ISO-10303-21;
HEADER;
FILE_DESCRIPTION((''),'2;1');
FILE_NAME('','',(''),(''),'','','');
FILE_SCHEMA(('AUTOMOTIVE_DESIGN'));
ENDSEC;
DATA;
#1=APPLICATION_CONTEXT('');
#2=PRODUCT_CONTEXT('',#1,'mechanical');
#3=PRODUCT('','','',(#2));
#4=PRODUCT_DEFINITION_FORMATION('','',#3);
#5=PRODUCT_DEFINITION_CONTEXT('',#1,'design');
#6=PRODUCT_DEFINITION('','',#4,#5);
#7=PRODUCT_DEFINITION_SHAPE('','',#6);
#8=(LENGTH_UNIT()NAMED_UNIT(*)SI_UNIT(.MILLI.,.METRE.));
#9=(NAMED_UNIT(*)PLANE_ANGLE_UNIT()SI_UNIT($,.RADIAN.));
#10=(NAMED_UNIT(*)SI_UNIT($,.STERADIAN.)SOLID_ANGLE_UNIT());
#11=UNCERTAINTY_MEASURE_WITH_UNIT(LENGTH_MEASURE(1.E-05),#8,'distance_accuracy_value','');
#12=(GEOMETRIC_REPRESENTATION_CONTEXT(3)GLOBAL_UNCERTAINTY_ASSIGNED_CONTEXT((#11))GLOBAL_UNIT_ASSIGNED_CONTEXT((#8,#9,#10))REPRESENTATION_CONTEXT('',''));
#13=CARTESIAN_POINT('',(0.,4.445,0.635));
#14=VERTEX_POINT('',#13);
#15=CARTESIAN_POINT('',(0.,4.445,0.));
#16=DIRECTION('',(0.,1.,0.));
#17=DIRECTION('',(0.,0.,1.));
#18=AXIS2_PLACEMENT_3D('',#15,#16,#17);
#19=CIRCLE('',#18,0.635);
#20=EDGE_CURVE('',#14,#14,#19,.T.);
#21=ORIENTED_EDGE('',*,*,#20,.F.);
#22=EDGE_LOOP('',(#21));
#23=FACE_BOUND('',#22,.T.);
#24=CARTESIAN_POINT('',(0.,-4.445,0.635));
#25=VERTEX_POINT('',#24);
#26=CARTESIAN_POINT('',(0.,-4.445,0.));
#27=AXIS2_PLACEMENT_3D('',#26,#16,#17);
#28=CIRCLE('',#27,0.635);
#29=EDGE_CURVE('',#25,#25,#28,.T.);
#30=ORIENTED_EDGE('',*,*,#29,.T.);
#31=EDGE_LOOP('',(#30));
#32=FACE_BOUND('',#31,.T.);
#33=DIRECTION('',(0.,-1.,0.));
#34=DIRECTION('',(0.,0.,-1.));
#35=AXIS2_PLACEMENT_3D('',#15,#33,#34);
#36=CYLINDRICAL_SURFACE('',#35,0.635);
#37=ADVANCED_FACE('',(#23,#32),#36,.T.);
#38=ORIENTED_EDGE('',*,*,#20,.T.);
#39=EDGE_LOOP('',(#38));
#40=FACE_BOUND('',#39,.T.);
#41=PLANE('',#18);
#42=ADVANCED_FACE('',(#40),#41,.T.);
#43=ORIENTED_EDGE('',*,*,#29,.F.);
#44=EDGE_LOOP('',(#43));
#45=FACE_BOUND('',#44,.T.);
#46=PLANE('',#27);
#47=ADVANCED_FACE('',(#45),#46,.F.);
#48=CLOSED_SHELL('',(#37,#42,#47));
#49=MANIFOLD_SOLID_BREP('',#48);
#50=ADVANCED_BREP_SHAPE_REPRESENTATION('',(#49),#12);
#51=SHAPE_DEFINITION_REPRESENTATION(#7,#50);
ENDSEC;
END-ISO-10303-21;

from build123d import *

# Parameters (mm, degrees)
SKETCH1_R           = 0.635
BOSS_EXTRUDE1_DEPTH = 4.445


with BuildPart() as part:
    # Sketch1 → Boss-Extrude1 (new body, symmetric)
    with BuildSketch(Plane(origin=(0, 0, 0), x_dir=(1, 0, 0), z_dir=(0, 1, 0))):
        Circle(SKETCH1_R)
    extrude(amount=BOSS_EXTRUDE1_DEPTH, both=True)


solid = part.part
